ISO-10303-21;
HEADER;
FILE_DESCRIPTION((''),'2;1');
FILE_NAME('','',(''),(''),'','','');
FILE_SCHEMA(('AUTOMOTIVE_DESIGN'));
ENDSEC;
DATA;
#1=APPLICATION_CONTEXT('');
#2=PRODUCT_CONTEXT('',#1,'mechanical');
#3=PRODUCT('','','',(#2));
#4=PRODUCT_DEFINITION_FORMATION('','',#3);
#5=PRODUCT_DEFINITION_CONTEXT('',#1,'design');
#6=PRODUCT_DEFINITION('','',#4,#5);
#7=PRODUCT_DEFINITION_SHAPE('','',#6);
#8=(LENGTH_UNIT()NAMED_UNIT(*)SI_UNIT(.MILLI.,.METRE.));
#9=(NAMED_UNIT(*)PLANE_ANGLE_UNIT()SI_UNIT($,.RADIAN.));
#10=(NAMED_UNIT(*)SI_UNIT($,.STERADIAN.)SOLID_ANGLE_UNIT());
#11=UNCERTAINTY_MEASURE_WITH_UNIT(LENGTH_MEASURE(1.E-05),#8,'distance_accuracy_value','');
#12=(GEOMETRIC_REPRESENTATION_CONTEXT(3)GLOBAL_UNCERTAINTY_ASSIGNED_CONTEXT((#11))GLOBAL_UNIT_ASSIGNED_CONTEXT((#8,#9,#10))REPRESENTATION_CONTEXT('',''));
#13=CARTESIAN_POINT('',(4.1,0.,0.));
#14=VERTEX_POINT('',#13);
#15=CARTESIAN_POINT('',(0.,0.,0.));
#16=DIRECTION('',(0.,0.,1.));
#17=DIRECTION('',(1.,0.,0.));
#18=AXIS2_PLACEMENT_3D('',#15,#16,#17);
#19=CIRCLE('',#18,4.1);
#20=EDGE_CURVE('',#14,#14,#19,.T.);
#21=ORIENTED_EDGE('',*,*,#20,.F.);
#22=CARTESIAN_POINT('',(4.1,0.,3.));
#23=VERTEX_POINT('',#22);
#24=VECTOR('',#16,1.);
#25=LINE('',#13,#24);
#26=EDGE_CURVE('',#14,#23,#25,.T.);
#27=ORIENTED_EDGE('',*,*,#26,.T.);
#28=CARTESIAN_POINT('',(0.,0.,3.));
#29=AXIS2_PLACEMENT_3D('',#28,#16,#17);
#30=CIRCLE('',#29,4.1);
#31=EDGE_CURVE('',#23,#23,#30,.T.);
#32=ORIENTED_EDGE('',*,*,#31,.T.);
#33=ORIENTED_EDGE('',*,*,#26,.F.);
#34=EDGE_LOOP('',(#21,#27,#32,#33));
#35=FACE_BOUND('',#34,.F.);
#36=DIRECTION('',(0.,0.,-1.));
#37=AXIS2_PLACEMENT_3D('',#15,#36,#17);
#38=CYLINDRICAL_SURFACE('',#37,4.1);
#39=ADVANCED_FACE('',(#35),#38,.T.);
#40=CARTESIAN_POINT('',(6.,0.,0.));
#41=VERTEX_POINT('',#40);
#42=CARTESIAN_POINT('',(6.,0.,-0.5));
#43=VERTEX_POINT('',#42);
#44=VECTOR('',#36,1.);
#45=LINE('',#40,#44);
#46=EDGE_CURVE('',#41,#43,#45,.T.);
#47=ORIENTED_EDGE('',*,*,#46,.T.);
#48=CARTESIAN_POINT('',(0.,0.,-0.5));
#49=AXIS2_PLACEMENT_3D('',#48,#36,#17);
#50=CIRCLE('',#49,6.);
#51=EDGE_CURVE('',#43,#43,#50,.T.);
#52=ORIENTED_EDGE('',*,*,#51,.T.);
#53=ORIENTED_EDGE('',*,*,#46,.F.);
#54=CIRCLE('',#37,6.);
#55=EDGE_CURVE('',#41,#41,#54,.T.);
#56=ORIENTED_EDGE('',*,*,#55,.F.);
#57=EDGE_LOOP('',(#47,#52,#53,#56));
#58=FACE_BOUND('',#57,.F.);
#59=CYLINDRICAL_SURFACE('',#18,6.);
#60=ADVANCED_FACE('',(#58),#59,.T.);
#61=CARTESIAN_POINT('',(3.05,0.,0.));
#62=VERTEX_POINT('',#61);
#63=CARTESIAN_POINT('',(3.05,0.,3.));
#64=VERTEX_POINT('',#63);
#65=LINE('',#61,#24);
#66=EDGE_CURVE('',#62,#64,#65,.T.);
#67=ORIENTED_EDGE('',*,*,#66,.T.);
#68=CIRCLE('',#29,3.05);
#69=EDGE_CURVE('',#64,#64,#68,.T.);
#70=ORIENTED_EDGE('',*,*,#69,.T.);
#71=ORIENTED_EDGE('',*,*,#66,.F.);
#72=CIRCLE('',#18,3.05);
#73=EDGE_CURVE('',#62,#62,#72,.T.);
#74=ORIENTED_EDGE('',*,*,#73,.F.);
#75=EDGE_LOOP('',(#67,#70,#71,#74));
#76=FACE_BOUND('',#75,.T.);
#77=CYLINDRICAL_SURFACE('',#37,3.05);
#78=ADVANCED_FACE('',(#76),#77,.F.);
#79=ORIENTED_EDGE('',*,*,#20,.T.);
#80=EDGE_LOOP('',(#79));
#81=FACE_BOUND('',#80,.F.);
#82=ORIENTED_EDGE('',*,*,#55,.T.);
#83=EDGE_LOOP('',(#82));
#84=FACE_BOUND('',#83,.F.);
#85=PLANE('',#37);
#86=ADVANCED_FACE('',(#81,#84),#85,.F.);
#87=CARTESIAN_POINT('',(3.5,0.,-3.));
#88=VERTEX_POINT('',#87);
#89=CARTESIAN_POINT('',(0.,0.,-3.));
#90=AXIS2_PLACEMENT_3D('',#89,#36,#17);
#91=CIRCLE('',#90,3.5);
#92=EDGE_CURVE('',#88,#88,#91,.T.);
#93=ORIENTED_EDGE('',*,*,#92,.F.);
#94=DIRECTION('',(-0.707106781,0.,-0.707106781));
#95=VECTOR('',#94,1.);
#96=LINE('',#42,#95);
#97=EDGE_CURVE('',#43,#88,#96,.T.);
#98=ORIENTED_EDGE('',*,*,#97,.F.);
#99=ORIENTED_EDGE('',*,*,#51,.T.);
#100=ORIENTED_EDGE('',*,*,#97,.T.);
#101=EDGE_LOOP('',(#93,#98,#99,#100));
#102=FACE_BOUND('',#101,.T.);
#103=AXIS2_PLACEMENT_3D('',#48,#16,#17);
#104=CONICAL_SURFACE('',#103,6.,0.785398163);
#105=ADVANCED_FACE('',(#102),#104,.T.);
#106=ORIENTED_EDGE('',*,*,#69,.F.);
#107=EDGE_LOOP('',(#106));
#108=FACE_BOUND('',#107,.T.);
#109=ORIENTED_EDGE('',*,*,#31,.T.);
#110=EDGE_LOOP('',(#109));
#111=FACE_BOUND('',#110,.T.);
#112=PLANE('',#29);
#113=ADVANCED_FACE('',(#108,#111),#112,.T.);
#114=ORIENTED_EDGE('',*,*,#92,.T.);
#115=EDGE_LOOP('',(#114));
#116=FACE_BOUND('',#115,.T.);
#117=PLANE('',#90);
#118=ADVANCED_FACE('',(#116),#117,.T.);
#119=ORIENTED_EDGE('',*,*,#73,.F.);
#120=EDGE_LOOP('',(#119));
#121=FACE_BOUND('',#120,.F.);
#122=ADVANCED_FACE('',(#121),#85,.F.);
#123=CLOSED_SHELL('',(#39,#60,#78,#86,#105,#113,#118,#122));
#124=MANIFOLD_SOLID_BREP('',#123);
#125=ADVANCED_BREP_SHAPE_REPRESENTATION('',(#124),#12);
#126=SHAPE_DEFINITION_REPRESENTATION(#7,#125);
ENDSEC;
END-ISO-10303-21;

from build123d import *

# Parameters (mm, degrees)
SKETCH_R     = 4.1
SKETCH_R_2   = 3.05
PAD_DEPTH    = 3
SKETCH001_R  = 6
PAD001_DEPTH = 3
CHAMFER_SIZE = 2.5


with BuildPart() as part:
    # Sketch → Pad (new body)
    with BuildSketch(Plane.XY):
        Circle(SKETCH_R)
        Circle(SKETCH_R_2, mode=Mode.SUBTRACT)
    extrude(amount=PAD_DEPTH)

    # Sketch001 (on Face3 of Pad) → Pad001 (join)
    with BuildSketch(Plane(origin=(0, 0, 0), x_dir=(1, 0, 0), z_dir=(0, 0, -1))):
        Circle(SKETCH001_R)
    extrude(amount=PAD001_DEPTH)

    # Chamfer
    chamfer_edges = [part.edges().sort_by_distance(p)[0] for p in [
        (-6, 0, -3),
    ]]
    chamfer(chamfer_edges, length=CHAMFER_SIZE)


solid = part.part
